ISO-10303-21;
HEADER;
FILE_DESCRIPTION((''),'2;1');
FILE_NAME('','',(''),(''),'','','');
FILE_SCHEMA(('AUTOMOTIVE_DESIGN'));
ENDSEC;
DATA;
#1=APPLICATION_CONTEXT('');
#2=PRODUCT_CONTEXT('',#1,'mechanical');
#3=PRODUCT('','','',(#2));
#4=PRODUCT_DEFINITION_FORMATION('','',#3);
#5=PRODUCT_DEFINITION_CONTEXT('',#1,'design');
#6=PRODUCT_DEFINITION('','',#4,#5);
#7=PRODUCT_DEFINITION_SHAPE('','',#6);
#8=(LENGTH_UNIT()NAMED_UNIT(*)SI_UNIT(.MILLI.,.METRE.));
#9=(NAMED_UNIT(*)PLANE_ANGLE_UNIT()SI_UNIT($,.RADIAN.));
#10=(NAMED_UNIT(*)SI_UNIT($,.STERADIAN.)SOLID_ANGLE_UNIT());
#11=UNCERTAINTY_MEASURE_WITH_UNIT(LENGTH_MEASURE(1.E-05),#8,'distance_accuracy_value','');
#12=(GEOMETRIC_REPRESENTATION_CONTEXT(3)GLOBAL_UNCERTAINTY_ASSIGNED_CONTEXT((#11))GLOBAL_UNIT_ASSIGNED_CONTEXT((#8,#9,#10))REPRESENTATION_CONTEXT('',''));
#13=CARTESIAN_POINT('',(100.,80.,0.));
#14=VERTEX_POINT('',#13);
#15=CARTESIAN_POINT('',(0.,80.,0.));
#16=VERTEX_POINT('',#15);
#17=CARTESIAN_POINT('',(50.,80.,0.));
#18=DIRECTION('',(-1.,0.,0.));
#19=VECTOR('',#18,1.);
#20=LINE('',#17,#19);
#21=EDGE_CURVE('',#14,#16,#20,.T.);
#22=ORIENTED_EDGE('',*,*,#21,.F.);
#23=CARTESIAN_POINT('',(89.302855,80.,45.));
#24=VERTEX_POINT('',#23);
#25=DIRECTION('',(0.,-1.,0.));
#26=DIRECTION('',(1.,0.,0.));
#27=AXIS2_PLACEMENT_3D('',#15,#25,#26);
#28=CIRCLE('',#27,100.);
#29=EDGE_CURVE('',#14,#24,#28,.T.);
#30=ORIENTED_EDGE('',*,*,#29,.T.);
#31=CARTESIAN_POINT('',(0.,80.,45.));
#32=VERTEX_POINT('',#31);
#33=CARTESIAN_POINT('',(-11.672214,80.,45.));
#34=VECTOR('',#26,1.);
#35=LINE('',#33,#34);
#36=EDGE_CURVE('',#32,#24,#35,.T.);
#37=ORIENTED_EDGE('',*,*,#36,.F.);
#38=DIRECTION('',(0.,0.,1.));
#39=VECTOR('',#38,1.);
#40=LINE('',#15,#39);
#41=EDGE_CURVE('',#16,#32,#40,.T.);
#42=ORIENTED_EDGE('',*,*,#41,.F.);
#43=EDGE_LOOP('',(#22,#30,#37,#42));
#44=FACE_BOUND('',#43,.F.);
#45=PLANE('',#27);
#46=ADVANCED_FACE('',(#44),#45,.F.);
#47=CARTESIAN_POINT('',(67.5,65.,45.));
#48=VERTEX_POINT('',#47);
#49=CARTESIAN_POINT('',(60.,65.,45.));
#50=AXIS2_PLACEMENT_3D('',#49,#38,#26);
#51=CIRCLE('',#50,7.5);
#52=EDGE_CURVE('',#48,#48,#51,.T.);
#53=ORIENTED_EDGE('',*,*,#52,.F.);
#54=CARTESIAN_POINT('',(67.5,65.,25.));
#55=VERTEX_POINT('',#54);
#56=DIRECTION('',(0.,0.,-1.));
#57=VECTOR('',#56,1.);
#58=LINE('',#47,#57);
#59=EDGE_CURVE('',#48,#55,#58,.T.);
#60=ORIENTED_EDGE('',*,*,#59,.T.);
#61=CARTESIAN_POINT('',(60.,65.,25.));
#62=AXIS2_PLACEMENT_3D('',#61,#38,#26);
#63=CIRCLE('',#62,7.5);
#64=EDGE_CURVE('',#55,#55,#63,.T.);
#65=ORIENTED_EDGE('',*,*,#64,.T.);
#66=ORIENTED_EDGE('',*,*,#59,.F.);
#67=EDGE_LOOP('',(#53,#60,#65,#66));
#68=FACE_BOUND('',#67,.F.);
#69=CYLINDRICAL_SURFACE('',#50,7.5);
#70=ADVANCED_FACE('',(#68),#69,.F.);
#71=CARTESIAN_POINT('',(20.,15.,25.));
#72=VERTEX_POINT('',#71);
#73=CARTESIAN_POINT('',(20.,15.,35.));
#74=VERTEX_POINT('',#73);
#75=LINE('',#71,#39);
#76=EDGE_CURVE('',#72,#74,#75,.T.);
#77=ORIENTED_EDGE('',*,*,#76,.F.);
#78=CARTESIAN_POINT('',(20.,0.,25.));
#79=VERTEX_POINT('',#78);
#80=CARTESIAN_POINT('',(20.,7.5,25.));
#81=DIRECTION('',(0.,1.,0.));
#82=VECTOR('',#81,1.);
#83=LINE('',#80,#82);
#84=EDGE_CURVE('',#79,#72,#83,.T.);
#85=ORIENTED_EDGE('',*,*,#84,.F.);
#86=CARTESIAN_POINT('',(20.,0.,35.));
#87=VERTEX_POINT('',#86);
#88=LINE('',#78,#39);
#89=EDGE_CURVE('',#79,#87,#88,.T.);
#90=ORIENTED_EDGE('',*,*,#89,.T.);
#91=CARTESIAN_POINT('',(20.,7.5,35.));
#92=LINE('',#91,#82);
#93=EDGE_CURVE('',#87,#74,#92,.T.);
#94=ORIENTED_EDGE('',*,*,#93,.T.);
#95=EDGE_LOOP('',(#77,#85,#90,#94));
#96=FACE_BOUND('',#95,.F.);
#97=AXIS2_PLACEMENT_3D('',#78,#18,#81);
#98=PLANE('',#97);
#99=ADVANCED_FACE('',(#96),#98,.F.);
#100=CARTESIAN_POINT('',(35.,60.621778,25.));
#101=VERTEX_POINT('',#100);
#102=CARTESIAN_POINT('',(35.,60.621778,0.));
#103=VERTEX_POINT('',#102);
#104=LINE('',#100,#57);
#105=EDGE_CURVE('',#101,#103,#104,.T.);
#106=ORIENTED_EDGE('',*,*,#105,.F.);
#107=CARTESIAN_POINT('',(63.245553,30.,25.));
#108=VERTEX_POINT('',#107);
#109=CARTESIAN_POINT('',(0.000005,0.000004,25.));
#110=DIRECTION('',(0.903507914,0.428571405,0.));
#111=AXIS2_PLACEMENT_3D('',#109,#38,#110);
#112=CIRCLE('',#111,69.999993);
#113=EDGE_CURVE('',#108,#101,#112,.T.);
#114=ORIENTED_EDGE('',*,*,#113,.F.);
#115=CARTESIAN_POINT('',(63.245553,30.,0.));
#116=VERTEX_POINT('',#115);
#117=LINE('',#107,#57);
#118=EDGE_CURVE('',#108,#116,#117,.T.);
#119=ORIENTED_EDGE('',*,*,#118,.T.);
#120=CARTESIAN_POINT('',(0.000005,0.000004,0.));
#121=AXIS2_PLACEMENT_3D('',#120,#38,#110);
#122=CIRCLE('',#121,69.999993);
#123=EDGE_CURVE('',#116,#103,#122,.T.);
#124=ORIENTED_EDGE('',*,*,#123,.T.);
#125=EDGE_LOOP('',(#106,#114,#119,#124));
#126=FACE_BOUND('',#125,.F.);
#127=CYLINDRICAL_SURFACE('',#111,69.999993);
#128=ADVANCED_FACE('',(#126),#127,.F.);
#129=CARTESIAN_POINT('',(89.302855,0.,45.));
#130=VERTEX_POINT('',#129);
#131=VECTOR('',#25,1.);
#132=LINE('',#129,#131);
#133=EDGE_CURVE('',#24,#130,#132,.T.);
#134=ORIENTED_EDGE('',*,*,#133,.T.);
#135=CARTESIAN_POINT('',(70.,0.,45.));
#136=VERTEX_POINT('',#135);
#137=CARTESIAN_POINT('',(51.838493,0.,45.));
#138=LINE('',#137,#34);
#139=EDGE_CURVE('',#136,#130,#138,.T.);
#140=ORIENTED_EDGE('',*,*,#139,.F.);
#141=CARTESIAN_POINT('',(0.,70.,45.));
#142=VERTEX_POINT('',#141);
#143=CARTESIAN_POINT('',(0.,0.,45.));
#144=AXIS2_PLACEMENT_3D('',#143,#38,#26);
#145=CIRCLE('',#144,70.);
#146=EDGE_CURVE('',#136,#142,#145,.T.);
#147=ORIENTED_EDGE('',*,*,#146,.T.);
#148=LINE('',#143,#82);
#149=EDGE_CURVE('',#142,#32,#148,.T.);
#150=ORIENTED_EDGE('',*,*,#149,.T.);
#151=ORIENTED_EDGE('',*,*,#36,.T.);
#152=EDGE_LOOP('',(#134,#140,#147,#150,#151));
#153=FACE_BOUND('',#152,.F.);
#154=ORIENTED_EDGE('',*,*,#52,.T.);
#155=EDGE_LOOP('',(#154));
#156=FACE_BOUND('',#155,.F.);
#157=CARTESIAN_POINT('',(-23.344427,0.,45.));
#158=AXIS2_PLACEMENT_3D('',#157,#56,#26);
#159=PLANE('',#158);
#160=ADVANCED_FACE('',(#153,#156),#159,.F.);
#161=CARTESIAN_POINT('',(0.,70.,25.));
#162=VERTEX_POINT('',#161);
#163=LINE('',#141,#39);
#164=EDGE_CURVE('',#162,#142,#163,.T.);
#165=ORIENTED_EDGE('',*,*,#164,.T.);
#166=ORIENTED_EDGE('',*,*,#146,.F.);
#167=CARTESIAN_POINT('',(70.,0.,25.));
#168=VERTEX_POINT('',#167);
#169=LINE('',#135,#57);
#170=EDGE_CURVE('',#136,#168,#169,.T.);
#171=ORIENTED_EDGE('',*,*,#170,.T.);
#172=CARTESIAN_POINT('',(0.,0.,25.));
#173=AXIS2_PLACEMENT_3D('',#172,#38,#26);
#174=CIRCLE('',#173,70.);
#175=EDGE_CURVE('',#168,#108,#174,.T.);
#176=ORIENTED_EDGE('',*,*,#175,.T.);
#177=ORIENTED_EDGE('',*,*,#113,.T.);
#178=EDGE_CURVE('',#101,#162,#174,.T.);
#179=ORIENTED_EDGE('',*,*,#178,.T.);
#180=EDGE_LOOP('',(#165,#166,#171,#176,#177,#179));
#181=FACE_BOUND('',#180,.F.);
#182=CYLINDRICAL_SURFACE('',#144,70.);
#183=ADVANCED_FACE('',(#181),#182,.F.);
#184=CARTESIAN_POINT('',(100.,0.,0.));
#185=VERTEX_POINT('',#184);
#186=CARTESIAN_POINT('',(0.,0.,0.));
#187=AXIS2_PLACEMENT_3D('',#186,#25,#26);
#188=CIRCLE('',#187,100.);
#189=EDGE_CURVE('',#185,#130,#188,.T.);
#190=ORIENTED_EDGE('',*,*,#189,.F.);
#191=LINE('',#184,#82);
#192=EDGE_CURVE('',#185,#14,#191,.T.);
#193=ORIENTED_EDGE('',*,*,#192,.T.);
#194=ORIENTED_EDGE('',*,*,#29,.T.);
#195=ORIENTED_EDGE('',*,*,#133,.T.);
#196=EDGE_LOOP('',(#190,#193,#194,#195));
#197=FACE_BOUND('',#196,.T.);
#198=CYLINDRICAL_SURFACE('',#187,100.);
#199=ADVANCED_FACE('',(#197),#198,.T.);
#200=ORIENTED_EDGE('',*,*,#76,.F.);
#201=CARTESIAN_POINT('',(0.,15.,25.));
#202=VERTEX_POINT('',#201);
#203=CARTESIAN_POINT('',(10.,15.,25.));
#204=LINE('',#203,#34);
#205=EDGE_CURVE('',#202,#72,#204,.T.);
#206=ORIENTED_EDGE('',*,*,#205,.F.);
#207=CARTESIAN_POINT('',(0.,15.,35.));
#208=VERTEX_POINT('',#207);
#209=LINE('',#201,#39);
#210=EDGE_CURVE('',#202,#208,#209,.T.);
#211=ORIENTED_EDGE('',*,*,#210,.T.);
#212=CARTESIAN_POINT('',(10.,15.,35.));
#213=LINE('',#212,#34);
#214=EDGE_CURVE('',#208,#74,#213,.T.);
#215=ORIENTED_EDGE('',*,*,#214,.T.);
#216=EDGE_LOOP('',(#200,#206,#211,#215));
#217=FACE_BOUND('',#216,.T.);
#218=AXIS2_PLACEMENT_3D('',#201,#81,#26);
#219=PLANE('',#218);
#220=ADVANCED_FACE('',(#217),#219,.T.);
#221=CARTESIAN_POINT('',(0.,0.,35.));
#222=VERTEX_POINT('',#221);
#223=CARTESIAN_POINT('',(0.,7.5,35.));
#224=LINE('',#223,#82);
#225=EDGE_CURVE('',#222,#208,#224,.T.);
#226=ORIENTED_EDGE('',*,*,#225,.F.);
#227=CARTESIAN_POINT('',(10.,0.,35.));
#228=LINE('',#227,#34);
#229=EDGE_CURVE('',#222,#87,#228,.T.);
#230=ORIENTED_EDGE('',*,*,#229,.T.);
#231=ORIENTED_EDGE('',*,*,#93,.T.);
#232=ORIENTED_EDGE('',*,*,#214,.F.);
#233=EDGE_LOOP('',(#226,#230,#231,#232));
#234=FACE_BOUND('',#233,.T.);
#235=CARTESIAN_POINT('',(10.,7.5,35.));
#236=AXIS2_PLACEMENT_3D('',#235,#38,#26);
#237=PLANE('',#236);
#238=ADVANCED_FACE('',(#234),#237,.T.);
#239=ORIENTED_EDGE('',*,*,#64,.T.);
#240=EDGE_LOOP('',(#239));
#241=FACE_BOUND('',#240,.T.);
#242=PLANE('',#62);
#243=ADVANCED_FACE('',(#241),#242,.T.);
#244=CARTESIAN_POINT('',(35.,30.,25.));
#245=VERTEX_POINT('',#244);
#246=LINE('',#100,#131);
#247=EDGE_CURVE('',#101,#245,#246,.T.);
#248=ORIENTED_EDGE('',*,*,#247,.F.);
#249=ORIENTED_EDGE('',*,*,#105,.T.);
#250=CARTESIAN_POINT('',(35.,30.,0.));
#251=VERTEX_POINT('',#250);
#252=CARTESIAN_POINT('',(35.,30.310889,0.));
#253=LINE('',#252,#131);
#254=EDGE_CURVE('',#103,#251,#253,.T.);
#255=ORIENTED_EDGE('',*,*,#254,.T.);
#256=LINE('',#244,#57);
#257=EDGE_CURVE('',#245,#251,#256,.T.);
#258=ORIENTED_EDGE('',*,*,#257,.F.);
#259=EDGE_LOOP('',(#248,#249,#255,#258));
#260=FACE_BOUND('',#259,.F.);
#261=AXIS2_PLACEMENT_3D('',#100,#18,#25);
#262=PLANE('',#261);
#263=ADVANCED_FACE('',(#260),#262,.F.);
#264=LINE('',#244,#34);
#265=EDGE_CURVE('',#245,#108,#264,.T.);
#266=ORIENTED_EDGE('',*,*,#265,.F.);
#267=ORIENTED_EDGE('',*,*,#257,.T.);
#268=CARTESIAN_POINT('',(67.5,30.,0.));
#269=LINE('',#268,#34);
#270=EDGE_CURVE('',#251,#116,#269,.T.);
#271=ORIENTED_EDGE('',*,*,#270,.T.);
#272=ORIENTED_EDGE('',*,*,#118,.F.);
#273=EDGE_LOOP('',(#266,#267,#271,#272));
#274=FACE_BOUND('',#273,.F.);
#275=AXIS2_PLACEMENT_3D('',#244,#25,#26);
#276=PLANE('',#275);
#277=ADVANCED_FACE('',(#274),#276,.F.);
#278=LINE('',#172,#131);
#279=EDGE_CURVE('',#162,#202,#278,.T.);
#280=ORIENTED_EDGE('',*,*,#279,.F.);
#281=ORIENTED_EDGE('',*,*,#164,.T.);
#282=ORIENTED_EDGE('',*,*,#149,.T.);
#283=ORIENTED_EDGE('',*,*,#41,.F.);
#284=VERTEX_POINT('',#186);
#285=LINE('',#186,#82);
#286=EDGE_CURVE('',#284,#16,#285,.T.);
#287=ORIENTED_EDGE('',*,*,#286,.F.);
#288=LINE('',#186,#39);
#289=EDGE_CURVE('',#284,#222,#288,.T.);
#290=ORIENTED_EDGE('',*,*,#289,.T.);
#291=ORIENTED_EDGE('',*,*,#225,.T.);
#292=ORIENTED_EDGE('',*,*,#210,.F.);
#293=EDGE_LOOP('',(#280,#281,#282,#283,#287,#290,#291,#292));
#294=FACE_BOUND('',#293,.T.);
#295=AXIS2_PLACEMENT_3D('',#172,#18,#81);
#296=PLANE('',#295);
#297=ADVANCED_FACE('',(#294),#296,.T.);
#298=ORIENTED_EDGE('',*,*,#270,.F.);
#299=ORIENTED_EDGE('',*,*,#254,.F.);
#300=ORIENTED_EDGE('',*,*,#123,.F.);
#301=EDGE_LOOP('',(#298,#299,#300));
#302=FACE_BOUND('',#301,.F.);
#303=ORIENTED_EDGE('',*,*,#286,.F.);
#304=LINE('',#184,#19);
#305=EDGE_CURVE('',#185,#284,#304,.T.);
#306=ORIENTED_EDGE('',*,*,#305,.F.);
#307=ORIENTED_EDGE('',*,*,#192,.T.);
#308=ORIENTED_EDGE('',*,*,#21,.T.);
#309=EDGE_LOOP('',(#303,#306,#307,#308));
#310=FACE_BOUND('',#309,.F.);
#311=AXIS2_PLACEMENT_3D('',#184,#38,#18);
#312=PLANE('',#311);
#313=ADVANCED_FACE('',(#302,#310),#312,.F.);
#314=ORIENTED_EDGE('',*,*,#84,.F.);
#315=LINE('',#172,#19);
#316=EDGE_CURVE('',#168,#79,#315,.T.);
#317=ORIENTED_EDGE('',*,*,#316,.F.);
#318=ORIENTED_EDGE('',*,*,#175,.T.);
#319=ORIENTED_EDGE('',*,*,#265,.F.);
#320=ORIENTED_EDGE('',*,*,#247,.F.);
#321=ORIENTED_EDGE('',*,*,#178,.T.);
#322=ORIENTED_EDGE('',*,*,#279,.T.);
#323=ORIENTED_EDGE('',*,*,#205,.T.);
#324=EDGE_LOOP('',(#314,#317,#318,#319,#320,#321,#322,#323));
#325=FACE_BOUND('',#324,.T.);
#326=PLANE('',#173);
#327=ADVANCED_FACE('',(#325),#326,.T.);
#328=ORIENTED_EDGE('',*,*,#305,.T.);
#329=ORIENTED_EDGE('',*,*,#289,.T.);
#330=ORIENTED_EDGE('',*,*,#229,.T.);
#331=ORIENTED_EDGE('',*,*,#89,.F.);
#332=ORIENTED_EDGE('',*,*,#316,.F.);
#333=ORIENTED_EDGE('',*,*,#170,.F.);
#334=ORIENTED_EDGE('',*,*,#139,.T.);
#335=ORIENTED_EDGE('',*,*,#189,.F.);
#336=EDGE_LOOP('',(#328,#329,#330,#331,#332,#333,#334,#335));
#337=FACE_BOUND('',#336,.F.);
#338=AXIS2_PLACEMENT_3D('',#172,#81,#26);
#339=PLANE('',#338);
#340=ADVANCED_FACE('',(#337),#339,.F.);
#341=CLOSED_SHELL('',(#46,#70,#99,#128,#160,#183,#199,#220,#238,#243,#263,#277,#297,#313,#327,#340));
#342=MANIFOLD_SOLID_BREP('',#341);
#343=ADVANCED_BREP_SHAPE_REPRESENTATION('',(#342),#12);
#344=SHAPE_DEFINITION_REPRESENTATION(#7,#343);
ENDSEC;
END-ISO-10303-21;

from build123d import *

# Parameters (mm, degrees)
F0_R      = 100
F1_DEPTH  = 80
F3_DEPTH  = 80.001
F4_W      = 150.365841
F4_H      = 83.414628
F5_DEPTH  = 80.001
F6_R      = 7.5
F6_R_2    = 70
F7_DEPTH  = 20
F9_DEPTH  = 25.001
F10_W     = 20
F10_H     = 15
F11_DEPTH = 10


with BuildPart() as f1:
    # F0 (on Front) → F1 (new body)
    with BuildSketch(Plane.XZ):
        Circle(F0_R)
    extrude(amount=-F1_DEPTH)

    # F2 (on face) → F3 (cut, through all)
    with BuildSketch(Plane.XZ):
        with BuildLine():
            Line((0, 0), (0, 100))
            ThreePointArc((0, 100), (-70.710678, -70.710678), (100, 0))
            Line((100, 0), (0, 0))
        make_face()
    extrude(amount=-F3_DEPTH, mode=Mode.SUBTRACT)

    # F4 (on face) → F5 (cut, through all)
    with BuildSketch(Plane.XZ):
        with Locations((51.838493, 86.707314)):
            Rectangle(F4_W, F4_H)
    extrude(amount=-F5_DEPTH, mode=Mode.SUBTRACT)

    # F6 (on face) → F7 (cut)
    with BuildSketch(Plane.XY.offset(45)):
        with Locations((60, 65)):
            Circle(F6_R)
        Circle(F6_R_2)
    extrude(amount=-F7_DEPTH, mode=Mode.SUBTRACT)

    # F8 (on face) → F9 (cut, through all)
    with BuildSketch(Plane.XY.offset(25)):
        with BuildLine():
            ThreePointArc((63.245553, 30), (51.453576, 47.460821), (35, 60.621778))
            Line((35, 60.621778), (35, 30))
            Line((35, 30), (63.245553, 30))
        make_face()
    extrude(amount=-F9_DEPTH, mode=Mode.SUBTRACT)

    # F10 (on face) → F11 (join)
    with BuildSketch(Plane.XY.offset(25)):
        with Locations((10, 7.5)):
            Rectangle(F10_W, F10_H)
    extrude(amount=F11_DEPTH)


solid = f1.part
